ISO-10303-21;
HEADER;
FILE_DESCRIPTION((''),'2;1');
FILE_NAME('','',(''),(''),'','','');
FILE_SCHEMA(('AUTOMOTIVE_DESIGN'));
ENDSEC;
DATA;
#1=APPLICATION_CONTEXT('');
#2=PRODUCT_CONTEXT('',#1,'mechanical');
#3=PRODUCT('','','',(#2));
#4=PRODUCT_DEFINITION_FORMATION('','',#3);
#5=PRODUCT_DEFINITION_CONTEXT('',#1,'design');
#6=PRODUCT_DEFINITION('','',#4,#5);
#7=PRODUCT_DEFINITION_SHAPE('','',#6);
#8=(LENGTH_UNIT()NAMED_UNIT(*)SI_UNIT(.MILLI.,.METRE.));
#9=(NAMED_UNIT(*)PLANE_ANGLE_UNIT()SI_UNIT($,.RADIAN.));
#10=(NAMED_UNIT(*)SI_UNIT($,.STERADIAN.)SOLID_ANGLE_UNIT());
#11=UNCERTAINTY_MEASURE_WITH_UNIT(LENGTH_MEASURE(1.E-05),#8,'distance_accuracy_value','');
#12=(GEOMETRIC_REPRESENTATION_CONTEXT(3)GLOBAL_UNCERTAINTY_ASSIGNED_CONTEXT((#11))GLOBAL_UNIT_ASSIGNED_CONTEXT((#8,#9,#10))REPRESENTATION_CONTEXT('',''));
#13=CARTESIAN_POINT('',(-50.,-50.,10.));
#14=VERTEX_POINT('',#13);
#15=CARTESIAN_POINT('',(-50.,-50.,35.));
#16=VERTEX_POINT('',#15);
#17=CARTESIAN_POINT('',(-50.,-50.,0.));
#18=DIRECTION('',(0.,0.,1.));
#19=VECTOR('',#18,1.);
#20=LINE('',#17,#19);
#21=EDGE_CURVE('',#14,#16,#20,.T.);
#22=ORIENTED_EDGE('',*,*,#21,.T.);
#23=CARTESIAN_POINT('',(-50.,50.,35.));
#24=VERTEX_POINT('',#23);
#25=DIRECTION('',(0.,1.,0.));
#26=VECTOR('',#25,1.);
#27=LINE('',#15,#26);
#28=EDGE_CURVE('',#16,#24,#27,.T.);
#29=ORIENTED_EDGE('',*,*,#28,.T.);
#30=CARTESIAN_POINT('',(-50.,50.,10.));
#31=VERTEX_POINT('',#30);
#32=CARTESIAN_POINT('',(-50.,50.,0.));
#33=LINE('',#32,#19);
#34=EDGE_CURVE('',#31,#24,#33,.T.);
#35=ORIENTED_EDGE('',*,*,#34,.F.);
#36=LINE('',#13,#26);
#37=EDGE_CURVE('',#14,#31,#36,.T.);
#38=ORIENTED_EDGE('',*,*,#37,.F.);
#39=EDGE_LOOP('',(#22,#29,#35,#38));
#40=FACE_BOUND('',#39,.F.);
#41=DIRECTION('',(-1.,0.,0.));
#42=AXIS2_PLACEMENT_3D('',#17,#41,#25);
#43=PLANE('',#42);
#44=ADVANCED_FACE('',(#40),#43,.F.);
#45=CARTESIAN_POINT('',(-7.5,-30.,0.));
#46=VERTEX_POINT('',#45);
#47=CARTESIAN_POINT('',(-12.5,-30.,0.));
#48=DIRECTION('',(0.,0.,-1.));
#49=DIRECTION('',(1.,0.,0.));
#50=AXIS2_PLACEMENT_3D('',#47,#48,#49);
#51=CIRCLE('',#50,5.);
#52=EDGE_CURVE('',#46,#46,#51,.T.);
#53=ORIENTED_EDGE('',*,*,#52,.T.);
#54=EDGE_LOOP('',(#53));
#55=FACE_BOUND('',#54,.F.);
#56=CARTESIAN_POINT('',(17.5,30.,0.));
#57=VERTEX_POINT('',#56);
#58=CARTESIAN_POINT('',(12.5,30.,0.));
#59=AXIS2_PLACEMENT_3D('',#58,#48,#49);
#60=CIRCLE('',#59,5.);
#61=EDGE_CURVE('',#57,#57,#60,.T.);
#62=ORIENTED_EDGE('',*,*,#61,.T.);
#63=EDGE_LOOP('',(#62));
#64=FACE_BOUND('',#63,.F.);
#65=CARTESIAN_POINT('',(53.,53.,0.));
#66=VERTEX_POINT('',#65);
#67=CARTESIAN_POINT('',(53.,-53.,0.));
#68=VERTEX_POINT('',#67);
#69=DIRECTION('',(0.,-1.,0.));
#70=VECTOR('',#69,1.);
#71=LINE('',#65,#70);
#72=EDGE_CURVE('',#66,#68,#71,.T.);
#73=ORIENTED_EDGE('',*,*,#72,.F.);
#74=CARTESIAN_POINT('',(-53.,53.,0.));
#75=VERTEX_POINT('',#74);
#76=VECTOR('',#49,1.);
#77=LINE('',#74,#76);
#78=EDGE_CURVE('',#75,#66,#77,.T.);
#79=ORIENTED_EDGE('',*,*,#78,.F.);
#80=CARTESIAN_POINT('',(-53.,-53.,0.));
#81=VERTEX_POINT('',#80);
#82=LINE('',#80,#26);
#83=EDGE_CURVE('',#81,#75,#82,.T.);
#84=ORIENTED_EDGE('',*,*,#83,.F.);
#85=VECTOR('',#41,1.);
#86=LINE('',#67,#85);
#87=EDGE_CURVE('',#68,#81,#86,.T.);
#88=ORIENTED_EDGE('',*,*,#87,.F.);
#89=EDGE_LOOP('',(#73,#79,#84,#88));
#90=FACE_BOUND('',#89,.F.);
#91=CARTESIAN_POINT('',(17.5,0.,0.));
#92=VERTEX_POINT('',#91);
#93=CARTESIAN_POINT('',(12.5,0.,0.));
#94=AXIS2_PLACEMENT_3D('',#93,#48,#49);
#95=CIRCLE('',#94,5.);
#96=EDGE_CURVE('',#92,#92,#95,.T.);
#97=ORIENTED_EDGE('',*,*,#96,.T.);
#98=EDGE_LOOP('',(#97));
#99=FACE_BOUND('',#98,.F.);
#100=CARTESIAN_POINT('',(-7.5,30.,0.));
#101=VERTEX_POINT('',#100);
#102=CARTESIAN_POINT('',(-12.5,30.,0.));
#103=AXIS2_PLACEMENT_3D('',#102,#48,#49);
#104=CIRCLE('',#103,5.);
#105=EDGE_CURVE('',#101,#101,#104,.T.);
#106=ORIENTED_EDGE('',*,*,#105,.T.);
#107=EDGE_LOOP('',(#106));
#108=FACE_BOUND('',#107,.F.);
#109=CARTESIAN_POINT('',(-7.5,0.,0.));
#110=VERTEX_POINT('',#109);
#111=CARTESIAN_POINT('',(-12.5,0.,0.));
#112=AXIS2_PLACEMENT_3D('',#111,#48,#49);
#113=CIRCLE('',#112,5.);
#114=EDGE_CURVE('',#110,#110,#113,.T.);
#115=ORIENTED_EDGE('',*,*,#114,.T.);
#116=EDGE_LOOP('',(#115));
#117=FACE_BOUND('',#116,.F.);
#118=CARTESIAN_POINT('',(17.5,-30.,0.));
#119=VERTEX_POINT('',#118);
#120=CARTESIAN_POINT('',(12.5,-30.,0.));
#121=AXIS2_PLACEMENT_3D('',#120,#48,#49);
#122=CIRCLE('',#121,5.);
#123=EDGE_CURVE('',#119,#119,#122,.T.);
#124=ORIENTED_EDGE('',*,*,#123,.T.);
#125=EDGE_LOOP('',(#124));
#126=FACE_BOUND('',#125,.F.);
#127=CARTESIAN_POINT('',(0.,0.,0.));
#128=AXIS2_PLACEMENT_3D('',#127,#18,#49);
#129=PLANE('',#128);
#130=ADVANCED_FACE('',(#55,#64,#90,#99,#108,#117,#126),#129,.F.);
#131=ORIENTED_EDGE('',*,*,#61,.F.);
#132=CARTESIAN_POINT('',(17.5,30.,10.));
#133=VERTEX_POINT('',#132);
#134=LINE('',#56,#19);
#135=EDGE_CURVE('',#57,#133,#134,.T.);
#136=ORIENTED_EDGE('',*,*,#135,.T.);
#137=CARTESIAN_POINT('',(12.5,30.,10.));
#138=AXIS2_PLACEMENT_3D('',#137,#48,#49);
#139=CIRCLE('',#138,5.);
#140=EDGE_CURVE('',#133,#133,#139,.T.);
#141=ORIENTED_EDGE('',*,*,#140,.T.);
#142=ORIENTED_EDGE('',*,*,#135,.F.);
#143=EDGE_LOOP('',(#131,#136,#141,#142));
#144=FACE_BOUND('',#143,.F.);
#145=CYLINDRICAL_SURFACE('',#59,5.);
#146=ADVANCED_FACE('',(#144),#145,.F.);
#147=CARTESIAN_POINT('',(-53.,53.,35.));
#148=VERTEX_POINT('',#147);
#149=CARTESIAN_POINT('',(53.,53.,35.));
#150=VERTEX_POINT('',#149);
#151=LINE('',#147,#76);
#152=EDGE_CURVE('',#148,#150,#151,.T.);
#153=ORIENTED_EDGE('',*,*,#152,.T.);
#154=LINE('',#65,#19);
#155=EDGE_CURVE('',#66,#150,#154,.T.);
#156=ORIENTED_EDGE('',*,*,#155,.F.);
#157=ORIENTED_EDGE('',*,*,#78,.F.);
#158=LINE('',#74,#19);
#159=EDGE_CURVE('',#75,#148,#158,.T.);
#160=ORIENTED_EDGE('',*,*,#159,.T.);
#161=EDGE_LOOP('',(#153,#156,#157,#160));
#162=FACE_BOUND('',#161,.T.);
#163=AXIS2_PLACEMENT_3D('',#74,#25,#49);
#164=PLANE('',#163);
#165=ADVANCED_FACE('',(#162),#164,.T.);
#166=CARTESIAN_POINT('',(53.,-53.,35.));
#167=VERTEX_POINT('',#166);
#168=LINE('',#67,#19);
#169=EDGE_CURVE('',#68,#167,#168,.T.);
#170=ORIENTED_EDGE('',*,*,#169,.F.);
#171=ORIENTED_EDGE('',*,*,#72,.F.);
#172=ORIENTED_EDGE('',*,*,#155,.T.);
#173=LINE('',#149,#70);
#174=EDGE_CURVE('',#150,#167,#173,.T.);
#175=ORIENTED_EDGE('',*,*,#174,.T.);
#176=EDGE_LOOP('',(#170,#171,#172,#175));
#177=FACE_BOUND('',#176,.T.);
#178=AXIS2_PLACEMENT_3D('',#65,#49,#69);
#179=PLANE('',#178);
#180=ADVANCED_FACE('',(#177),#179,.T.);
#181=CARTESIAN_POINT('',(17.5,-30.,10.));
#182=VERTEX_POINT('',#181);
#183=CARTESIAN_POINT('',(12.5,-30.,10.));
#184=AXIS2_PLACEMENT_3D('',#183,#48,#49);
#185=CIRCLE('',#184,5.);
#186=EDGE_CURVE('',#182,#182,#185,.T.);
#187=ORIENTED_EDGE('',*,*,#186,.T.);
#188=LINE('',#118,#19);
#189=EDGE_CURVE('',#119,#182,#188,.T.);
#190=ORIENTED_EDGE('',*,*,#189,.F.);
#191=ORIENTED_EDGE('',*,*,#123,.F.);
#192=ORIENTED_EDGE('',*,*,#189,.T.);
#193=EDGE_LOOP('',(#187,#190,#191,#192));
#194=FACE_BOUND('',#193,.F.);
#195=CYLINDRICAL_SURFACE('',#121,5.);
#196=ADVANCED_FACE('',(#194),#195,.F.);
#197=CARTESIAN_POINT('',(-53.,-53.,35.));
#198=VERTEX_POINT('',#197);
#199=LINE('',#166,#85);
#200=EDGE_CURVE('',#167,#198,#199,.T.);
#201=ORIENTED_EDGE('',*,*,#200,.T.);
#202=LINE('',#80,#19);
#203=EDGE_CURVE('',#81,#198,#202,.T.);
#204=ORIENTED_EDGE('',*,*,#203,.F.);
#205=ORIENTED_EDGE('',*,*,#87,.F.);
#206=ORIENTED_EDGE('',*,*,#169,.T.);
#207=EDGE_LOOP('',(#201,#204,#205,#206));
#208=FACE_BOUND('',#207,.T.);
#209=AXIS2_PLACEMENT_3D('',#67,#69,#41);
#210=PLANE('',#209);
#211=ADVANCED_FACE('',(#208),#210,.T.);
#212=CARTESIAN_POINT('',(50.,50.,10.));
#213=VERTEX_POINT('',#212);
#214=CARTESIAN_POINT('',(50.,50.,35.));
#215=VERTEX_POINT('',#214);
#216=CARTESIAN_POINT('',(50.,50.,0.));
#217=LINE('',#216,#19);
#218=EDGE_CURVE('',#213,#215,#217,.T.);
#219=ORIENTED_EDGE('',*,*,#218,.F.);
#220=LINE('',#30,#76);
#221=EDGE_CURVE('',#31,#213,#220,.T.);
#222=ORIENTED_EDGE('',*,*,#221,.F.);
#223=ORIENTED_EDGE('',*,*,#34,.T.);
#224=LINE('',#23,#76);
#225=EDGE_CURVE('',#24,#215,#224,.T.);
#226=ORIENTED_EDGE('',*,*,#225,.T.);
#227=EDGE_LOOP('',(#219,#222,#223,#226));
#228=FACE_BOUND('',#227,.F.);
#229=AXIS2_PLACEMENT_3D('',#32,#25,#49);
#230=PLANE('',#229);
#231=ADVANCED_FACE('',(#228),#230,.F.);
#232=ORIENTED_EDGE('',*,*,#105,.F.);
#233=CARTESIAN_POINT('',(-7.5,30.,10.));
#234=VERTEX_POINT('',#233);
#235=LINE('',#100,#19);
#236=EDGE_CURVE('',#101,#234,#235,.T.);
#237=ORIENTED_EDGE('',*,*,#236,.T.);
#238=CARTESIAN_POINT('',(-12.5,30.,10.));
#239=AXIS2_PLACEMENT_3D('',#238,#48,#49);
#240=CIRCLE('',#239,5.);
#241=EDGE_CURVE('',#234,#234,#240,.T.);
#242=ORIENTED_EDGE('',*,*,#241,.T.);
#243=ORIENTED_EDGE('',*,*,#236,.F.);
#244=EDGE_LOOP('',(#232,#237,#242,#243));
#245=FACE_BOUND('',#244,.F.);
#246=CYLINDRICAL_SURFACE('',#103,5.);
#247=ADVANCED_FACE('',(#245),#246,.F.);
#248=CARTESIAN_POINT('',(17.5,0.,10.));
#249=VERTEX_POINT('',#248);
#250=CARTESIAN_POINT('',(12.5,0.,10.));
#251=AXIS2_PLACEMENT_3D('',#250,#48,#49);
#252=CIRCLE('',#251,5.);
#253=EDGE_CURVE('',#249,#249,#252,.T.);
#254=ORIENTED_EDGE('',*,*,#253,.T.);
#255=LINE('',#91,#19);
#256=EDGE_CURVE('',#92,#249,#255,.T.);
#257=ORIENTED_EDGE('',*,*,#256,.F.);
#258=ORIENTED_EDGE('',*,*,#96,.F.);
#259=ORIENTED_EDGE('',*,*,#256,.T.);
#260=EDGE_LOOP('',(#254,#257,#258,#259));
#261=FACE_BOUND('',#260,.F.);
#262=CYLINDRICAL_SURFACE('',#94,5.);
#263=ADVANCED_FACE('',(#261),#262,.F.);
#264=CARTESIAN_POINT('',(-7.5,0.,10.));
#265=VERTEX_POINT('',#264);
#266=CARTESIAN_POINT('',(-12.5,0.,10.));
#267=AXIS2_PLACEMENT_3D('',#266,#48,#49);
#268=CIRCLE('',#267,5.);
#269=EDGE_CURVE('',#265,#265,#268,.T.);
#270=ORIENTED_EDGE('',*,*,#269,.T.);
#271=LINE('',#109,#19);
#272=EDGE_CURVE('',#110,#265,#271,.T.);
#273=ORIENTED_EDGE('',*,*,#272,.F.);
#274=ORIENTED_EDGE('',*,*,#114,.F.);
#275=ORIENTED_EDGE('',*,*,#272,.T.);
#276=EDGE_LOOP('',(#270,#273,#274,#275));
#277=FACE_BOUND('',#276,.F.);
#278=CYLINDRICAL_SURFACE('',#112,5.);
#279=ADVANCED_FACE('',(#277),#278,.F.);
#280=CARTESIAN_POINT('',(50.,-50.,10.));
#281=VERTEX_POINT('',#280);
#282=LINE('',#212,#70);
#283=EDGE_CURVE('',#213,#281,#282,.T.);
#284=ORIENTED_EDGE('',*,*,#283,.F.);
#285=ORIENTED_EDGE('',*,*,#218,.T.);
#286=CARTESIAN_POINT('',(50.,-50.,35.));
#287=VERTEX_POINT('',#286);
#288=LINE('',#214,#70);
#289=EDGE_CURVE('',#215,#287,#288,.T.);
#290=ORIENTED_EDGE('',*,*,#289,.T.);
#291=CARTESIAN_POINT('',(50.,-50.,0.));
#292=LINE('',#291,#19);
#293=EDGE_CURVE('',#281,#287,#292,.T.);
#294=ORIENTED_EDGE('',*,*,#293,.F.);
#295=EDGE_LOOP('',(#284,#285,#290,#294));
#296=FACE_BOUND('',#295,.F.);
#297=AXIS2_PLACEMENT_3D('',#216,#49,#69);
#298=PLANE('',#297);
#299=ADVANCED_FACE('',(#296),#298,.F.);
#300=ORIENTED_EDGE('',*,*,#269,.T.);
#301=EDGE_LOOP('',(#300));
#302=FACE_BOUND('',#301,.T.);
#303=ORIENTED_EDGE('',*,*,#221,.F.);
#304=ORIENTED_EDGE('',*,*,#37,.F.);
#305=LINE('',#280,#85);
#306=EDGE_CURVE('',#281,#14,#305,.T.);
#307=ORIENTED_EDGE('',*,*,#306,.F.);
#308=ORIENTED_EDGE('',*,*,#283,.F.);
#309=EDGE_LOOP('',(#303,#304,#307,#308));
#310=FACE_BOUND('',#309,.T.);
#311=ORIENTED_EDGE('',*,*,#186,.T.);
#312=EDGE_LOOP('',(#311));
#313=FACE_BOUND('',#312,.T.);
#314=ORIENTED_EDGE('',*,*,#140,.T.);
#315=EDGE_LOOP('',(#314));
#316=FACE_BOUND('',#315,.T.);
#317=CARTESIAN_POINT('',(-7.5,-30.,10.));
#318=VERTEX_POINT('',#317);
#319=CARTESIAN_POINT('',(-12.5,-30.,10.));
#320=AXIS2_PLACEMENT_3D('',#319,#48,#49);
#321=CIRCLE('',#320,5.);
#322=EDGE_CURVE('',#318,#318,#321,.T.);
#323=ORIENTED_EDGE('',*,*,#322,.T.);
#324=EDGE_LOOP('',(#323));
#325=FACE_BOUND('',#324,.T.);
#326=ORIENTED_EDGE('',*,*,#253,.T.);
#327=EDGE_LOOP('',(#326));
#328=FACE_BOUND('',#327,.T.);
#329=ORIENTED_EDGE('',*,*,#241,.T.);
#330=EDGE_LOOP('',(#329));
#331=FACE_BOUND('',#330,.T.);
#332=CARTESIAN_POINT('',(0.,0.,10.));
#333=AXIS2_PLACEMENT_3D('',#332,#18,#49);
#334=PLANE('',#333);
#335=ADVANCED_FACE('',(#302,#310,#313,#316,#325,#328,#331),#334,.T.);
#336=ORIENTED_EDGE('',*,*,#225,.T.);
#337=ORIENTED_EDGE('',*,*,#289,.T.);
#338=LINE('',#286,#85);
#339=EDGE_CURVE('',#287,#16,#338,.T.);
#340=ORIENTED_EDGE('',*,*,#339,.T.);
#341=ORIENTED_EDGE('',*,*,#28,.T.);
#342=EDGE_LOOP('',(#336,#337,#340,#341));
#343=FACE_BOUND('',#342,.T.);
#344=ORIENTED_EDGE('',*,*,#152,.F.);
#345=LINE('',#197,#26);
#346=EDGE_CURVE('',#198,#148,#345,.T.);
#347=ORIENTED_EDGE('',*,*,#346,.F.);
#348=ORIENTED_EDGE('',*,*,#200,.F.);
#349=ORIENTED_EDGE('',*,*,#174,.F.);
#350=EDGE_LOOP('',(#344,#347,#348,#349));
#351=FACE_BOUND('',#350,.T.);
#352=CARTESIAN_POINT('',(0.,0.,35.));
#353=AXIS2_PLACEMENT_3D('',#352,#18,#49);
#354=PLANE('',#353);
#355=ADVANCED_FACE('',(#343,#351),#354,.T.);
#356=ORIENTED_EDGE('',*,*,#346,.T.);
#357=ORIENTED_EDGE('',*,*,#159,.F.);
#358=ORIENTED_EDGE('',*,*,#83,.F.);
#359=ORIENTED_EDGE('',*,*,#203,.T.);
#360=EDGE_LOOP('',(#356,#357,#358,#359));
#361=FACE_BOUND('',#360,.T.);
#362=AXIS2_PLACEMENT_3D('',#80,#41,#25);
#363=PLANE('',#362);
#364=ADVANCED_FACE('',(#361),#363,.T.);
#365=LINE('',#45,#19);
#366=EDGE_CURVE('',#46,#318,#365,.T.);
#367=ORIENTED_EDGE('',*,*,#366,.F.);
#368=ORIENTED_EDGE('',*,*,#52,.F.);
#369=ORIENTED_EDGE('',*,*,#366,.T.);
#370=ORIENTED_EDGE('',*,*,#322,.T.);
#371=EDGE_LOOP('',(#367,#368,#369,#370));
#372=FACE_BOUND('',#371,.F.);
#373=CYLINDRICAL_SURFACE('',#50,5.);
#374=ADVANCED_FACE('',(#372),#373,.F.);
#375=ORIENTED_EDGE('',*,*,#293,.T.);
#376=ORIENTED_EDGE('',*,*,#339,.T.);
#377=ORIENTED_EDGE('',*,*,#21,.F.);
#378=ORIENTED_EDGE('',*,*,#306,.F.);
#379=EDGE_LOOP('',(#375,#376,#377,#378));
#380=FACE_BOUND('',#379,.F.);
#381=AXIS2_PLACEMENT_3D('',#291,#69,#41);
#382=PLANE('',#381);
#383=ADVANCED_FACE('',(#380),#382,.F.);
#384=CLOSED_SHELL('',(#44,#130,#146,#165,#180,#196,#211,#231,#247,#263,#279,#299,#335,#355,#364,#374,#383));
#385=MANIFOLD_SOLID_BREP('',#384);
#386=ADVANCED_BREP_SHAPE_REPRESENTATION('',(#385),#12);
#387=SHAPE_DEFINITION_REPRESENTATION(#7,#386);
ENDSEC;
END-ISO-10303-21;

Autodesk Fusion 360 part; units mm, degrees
sketch "Sketch1" plane through (0, 0, 0) normal (0, 0, 1) x (1, 0, 0)
  line L0 (-50, 50) -> (50, 50)
  line L1 (50, 50) -> (50, -50)
  line L2 (50, -50) -> (-50, -50)
  line L3 (-50, -50) -> (-50, 50)
  line L4 (-50, 50) -> (50, -50) construction
  line L5 (50, 50) -> (-50, -50) construction
  line L6 (53, 53) -> (53, -53)
  line L7 (53, -53) -> (-53, -53)
  line L8 (-53, -53) -> (-53, 53)
  line L9 (-53, 53) -> (53, 53)
  dimension "d1" = -3
extrude "Extrude1" add sketch "Sketch1" along normal blind 35
extrude "Extrude2" add sketch "Sketch1" along normal blind 10 contours L0 L1 L2 L3
sketch "Sketch3" plane through (0, 0, 0) normal (0, 0, -1) x (1, 0, 0)
  line L0 (-53, 53) -> (-53, -53)
  line L1 (-53, -53) -> (53, -53)
  line L2 (53, -53) -> (53, 53)
  line L3 (53, 53) -> (-53, 53)
  circle A0 centre (-12.5, 0) radius 5
  circle A1 centre (12.5, 0) radius 5
  circle A2 centre (-12.5, 30) radius 5
  circle A3 centre (12.5, 30) radius 5
  circle A4 centre (-12.5, -30) radius 5
  circle A5 centre (12.5, -30) radius 5
  dimension "d6" = 10
  dimension "d7" = 10
  dimension "d8" = 25
  dimension "d9" = 12.5
  dimension "d12" = 0
  dimension "d13" = 30
  dimension "d16" = 0
  dimension "d17" = -30
extrude "Extrude3" cut sketch "Sketch3" against normal blind 10 contours A0 | A1 | A2 | A3 | A4 | A5
